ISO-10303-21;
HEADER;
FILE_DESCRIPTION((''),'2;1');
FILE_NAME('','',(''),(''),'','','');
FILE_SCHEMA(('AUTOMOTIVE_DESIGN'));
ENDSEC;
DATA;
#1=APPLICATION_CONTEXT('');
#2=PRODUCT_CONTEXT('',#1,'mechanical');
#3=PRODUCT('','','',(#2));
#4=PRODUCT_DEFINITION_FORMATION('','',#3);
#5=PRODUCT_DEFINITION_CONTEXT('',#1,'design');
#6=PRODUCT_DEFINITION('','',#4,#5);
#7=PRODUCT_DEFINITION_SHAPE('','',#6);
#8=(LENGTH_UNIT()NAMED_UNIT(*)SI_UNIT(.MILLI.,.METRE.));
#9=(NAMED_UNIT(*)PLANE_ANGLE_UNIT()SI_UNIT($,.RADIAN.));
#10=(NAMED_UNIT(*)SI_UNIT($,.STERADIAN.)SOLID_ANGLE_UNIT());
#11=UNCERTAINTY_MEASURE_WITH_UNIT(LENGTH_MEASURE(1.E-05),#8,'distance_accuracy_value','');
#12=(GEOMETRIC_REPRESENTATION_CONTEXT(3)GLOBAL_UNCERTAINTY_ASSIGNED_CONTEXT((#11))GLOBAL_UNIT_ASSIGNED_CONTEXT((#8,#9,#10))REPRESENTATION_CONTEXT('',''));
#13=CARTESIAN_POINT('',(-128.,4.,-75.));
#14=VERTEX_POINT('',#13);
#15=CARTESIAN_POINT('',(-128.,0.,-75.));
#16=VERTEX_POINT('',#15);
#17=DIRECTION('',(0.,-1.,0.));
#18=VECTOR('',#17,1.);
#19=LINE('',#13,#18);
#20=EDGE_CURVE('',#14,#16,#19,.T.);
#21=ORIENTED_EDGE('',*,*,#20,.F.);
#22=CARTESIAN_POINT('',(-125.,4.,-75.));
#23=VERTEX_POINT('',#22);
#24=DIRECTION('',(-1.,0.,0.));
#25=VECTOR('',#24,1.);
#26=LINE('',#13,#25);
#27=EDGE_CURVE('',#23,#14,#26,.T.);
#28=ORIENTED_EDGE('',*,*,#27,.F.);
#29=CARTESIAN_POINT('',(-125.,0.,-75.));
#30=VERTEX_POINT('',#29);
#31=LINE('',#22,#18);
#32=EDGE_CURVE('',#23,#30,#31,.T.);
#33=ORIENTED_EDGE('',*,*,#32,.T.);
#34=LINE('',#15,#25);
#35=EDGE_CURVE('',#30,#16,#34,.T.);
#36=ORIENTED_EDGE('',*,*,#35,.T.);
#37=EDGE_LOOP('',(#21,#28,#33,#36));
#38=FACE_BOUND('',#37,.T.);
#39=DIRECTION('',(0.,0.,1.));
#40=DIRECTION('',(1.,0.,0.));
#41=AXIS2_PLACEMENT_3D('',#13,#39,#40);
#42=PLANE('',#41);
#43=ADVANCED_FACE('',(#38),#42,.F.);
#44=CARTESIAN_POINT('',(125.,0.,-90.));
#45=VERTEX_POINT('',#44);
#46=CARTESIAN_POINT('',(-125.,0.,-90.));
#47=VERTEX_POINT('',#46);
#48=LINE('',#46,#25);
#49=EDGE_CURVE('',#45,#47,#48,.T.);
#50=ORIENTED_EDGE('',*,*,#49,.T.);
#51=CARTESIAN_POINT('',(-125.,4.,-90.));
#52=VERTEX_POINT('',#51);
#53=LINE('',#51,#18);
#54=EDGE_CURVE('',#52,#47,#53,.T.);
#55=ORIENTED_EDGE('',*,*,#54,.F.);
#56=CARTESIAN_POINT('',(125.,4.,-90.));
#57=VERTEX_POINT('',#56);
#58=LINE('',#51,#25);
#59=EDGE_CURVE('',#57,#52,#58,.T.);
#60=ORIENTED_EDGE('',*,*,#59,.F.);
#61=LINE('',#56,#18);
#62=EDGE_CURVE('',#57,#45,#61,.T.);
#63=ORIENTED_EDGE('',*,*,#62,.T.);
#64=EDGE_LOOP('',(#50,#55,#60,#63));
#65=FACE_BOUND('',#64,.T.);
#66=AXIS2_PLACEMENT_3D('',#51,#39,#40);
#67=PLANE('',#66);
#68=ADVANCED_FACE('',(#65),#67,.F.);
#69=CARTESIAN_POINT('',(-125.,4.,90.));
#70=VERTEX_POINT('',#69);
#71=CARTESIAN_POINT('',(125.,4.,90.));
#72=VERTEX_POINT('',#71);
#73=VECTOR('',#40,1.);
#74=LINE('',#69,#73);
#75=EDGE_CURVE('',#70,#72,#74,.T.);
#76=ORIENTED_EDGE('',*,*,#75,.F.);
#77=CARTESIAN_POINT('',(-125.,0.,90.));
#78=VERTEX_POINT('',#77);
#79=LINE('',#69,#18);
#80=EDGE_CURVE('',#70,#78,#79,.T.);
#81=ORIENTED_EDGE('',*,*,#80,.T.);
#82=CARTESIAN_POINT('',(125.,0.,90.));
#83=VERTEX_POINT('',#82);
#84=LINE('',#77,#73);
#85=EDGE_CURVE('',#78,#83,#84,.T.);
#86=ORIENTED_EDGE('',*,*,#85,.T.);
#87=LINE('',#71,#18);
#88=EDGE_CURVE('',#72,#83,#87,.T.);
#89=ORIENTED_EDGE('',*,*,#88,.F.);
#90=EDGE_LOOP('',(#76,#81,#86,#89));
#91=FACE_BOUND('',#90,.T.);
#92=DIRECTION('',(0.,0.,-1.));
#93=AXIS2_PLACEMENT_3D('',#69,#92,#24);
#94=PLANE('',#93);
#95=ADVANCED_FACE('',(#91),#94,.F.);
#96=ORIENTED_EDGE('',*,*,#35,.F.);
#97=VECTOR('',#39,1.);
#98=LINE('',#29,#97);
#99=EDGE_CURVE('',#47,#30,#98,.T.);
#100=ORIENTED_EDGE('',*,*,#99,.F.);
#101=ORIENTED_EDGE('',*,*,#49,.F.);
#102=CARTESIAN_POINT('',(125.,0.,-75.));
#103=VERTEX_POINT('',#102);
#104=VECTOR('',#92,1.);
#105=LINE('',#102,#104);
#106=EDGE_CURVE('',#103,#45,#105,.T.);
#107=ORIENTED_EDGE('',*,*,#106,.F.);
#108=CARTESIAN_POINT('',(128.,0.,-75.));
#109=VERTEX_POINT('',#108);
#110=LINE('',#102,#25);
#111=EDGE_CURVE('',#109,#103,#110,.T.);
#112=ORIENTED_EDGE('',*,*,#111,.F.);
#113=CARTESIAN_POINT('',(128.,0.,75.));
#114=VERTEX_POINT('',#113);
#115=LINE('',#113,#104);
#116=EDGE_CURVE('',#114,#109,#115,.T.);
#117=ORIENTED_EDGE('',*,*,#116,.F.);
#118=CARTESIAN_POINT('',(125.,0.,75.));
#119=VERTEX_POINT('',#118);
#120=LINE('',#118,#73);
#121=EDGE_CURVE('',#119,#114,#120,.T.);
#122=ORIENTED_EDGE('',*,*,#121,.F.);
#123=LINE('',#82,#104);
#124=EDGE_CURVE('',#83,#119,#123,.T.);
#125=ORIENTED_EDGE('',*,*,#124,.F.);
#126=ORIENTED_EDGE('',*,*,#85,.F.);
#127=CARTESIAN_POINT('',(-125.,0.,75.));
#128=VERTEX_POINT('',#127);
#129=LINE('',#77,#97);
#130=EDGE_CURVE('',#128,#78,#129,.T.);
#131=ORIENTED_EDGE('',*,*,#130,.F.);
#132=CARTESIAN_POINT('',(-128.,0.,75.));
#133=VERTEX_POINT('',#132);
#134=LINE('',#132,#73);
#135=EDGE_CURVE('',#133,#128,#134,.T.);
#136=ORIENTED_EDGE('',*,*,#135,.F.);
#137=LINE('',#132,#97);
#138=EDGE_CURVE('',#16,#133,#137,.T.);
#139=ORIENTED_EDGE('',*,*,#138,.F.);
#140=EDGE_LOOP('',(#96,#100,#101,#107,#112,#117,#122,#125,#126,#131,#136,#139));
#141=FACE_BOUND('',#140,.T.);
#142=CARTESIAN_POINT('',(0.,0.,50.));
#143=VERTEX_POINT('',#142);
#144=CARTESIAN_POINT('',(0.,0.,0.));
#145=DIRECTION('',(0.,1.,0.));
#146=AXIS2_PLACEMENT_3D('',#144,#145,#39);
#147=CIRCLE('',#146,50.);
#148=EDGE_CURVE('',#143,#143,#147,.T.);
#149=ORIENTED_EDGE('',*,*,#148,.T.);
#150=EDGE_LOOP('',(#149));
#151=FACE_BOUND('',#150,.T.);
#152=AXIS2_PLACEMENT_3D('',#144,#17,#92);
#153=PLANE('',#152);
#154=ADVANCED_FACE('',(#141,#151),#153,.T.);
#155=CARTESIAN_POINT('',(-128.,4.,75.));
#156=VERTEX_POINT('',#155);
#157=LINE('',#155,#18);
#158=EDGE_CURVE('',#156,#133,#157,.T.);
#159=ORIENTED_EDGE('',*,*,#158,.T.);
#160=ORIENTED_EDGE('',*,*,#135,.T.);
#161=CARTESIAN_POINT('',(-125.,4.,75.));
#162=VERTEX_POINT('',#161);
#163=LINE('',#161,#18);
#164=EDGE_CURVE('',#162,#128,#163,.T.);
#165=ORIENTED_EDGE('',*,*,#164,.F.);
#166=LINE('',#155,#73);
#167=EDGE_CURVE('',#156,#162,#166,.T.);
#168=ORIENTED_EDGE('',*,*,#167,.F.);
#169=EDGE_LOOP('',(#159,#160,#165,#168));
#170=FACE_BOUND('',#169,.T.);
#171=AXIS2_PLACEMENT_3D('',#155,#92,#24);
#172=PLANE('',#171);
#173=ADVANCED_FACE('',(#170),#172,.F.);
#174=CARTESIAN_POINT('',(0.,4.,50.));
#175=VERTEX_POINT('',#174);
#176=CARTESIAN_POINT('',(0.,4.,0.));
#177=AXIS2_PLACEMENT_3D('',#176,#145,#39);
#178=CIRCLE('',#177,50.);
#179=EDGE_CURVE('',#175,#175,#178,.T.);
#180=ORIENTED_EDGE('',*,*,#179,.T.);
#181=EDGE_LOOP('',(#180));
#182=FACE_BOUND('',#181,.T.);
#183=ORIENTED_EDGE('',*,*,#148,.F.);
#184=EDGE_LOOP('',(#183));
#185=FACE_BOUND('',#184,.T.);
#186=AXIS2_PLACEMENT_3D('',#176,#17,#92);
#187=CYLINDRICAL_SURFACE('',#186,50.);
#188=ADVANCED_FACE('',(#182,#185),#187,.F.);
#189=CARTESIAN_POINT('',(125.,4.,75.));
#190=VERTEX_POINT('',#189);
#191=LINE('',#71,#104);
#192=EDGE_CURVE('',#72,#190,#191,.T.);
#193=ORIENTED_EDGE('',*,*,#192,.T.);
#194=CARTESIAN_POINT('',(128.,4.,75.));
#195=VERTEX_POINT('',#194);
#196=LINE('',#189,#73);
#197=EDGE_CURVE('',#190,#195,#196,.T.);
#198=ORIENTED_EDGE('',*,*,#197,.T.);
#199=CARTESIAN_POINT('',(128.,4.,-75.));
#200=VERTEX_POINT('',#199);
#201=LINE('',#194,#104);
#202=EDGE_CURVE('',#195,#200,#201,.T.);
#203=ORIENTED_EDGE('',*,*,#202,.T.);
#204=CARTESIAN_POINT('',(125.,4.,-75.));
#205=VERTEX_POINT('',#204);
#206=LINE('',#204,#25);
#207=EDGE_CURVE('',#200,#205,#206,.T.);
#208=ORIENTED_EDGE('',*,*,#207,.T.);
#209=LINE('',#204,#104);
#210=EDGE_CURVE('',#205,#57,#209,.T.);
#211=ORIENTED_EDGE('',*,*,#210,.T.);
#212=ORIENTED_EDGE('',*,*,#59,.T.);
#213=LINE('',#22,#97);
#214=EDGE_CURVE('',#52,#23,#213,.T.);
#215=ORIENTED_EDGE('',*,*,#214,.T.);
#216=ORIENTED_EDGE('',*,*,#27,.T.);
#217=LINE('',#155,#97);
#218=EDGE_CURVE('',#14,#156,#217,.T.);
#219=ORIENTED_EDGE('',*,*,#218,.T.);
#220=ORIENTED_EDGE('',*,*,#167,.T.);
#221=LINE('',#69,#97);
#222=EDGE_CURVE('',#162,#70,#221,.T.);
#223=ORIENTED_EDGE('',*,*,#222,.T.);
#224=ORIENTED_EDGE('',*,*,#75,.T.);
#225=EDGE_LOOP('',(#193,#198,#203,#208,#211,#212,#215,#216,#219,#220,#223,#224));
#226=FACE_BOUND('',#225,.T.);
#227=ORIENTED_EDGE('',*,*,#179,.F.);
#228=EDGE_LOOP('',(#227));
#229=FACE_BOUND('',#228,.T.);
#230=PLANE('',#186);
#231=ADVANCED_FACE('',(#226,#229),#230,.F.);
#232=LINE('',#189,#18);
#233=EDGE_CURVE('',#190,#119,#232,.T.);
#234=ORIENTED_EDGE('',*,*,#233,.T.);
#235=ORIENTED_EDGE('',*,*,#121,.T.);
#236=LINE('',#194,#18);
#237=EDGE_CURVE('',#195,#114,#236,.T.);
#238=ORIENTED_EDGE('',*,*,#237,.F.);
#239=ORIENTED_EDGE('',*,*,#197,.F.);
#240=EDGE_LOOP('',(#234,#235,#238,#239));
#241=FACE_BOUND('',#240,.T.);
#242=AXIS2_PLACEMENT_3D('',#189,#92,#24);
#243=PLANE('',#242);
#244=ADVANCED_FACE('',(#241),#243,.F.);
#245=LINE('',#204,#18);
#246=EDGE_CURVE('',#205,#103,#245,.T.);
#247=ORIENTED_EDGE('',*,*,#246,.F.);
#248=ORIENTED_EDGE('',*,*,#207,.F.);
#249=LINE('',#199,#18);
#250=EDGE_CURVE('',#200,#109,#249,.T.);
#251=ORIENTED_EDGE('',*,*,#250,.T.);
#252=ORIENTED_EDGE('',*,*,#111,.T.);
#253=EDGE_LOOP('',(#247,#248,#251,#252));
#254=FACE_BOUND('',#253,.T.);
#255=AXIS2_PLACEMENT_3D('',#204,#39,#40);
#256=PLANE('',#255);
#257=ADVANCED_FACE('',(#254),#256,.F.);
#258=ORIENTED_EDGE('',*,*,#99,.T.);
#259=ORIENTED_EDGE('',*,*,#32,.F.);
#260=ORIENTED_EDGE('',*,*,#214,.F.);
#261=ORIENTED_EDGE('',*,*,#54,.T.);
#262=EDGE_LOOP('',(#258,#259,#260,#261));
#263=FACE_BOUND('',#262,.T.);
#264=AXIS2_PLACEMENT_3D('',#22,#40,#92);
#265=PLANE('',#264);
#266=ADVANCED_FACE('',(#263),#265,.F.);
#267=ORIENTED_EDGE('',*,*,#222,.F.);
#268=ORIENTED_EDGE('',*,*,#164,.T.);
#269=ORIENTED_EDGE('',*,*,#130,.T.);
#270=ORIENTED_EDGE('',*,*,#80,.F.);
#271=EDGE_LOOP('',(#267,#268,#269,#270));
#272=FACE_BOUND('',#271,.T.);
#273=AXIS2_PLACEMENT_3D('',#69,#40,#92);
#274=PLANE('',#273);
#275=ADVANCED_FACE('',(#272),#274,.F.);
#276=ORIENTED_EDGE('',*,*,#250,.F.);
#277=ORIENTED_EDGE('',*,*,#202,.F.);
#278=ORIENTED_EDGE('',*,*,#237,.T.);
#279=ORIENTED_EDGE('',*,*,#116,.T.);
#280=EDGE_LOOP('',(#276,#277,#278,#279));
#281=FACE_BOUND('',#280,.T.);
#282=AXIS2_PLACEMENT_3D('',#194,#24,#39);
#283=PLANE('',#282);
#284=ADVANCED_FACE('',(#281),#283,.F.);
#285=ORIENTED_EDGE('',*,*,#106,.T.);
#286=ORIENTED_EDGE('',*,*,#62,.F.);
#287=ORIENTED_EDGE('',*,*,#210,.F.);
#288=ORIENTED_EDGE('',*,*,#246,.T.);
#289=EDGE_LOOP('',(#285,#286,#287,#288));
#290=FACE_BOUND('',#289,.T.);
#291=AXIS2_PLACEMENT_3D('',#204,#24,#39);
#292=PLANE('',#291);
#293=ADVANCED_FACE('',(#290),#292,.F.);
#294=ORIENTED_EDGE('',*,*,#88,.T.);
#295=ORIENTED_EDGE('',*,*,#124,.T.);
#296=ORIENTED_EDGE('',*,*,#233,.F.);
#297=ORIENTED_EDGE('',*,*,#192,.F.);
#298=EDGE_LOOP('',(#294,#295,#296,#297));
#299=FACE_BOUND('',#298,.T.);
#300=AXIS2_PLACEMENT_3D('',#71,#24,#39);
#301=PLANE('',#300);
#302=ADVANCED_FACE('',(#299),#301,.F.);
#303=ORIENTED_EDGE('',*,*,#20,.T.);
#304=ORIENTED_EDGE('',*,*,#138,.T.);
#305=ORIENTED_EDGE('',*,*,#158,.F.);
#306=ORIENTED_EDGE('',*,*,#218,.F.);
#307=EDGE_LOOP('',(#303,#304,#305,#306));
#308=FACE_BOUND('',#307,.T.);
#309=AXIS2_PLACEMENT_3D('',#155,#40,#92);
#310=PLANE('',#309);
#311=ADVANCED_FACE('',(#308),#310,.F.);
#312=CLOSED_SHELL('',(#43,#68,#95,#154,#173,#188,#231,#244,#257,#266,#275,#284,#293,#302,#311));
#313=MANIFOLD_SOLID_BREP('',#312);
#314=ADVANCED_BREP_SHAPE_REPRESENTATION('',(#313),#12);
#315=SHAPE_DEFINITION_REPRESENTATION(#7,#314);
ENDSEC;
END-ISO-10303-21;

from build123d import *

# Parameters (mm, degrees)
SKETCH_4_R      = 50
EXTRUDE_3_DEPTH = 4


with BuildPart() as part:
    # 草图4 → 凸台-拉伸3 (new body)
    with BuildSketch(Plane(origin=(0, 0, 0), x_dir=(1, 0, 0), z_dir=(0, 1, 0))):
        Polygon((-125, 75), (-125, 90), (125, 90), (125, 75), (128, 75), (128, -75), (125, -75), (125, -90), (-125, -90), (-125, -75), (-128, -75), (-128, 75), align=None)
        with Locations(Location((0, 0, 0), (0, 0, 270))):
            Circle(SKETCH_4_R, mode=Mode.SUBTRACT)
    extrude(amount=EXTRUDE_3_DEPTH)


solid = part.part
